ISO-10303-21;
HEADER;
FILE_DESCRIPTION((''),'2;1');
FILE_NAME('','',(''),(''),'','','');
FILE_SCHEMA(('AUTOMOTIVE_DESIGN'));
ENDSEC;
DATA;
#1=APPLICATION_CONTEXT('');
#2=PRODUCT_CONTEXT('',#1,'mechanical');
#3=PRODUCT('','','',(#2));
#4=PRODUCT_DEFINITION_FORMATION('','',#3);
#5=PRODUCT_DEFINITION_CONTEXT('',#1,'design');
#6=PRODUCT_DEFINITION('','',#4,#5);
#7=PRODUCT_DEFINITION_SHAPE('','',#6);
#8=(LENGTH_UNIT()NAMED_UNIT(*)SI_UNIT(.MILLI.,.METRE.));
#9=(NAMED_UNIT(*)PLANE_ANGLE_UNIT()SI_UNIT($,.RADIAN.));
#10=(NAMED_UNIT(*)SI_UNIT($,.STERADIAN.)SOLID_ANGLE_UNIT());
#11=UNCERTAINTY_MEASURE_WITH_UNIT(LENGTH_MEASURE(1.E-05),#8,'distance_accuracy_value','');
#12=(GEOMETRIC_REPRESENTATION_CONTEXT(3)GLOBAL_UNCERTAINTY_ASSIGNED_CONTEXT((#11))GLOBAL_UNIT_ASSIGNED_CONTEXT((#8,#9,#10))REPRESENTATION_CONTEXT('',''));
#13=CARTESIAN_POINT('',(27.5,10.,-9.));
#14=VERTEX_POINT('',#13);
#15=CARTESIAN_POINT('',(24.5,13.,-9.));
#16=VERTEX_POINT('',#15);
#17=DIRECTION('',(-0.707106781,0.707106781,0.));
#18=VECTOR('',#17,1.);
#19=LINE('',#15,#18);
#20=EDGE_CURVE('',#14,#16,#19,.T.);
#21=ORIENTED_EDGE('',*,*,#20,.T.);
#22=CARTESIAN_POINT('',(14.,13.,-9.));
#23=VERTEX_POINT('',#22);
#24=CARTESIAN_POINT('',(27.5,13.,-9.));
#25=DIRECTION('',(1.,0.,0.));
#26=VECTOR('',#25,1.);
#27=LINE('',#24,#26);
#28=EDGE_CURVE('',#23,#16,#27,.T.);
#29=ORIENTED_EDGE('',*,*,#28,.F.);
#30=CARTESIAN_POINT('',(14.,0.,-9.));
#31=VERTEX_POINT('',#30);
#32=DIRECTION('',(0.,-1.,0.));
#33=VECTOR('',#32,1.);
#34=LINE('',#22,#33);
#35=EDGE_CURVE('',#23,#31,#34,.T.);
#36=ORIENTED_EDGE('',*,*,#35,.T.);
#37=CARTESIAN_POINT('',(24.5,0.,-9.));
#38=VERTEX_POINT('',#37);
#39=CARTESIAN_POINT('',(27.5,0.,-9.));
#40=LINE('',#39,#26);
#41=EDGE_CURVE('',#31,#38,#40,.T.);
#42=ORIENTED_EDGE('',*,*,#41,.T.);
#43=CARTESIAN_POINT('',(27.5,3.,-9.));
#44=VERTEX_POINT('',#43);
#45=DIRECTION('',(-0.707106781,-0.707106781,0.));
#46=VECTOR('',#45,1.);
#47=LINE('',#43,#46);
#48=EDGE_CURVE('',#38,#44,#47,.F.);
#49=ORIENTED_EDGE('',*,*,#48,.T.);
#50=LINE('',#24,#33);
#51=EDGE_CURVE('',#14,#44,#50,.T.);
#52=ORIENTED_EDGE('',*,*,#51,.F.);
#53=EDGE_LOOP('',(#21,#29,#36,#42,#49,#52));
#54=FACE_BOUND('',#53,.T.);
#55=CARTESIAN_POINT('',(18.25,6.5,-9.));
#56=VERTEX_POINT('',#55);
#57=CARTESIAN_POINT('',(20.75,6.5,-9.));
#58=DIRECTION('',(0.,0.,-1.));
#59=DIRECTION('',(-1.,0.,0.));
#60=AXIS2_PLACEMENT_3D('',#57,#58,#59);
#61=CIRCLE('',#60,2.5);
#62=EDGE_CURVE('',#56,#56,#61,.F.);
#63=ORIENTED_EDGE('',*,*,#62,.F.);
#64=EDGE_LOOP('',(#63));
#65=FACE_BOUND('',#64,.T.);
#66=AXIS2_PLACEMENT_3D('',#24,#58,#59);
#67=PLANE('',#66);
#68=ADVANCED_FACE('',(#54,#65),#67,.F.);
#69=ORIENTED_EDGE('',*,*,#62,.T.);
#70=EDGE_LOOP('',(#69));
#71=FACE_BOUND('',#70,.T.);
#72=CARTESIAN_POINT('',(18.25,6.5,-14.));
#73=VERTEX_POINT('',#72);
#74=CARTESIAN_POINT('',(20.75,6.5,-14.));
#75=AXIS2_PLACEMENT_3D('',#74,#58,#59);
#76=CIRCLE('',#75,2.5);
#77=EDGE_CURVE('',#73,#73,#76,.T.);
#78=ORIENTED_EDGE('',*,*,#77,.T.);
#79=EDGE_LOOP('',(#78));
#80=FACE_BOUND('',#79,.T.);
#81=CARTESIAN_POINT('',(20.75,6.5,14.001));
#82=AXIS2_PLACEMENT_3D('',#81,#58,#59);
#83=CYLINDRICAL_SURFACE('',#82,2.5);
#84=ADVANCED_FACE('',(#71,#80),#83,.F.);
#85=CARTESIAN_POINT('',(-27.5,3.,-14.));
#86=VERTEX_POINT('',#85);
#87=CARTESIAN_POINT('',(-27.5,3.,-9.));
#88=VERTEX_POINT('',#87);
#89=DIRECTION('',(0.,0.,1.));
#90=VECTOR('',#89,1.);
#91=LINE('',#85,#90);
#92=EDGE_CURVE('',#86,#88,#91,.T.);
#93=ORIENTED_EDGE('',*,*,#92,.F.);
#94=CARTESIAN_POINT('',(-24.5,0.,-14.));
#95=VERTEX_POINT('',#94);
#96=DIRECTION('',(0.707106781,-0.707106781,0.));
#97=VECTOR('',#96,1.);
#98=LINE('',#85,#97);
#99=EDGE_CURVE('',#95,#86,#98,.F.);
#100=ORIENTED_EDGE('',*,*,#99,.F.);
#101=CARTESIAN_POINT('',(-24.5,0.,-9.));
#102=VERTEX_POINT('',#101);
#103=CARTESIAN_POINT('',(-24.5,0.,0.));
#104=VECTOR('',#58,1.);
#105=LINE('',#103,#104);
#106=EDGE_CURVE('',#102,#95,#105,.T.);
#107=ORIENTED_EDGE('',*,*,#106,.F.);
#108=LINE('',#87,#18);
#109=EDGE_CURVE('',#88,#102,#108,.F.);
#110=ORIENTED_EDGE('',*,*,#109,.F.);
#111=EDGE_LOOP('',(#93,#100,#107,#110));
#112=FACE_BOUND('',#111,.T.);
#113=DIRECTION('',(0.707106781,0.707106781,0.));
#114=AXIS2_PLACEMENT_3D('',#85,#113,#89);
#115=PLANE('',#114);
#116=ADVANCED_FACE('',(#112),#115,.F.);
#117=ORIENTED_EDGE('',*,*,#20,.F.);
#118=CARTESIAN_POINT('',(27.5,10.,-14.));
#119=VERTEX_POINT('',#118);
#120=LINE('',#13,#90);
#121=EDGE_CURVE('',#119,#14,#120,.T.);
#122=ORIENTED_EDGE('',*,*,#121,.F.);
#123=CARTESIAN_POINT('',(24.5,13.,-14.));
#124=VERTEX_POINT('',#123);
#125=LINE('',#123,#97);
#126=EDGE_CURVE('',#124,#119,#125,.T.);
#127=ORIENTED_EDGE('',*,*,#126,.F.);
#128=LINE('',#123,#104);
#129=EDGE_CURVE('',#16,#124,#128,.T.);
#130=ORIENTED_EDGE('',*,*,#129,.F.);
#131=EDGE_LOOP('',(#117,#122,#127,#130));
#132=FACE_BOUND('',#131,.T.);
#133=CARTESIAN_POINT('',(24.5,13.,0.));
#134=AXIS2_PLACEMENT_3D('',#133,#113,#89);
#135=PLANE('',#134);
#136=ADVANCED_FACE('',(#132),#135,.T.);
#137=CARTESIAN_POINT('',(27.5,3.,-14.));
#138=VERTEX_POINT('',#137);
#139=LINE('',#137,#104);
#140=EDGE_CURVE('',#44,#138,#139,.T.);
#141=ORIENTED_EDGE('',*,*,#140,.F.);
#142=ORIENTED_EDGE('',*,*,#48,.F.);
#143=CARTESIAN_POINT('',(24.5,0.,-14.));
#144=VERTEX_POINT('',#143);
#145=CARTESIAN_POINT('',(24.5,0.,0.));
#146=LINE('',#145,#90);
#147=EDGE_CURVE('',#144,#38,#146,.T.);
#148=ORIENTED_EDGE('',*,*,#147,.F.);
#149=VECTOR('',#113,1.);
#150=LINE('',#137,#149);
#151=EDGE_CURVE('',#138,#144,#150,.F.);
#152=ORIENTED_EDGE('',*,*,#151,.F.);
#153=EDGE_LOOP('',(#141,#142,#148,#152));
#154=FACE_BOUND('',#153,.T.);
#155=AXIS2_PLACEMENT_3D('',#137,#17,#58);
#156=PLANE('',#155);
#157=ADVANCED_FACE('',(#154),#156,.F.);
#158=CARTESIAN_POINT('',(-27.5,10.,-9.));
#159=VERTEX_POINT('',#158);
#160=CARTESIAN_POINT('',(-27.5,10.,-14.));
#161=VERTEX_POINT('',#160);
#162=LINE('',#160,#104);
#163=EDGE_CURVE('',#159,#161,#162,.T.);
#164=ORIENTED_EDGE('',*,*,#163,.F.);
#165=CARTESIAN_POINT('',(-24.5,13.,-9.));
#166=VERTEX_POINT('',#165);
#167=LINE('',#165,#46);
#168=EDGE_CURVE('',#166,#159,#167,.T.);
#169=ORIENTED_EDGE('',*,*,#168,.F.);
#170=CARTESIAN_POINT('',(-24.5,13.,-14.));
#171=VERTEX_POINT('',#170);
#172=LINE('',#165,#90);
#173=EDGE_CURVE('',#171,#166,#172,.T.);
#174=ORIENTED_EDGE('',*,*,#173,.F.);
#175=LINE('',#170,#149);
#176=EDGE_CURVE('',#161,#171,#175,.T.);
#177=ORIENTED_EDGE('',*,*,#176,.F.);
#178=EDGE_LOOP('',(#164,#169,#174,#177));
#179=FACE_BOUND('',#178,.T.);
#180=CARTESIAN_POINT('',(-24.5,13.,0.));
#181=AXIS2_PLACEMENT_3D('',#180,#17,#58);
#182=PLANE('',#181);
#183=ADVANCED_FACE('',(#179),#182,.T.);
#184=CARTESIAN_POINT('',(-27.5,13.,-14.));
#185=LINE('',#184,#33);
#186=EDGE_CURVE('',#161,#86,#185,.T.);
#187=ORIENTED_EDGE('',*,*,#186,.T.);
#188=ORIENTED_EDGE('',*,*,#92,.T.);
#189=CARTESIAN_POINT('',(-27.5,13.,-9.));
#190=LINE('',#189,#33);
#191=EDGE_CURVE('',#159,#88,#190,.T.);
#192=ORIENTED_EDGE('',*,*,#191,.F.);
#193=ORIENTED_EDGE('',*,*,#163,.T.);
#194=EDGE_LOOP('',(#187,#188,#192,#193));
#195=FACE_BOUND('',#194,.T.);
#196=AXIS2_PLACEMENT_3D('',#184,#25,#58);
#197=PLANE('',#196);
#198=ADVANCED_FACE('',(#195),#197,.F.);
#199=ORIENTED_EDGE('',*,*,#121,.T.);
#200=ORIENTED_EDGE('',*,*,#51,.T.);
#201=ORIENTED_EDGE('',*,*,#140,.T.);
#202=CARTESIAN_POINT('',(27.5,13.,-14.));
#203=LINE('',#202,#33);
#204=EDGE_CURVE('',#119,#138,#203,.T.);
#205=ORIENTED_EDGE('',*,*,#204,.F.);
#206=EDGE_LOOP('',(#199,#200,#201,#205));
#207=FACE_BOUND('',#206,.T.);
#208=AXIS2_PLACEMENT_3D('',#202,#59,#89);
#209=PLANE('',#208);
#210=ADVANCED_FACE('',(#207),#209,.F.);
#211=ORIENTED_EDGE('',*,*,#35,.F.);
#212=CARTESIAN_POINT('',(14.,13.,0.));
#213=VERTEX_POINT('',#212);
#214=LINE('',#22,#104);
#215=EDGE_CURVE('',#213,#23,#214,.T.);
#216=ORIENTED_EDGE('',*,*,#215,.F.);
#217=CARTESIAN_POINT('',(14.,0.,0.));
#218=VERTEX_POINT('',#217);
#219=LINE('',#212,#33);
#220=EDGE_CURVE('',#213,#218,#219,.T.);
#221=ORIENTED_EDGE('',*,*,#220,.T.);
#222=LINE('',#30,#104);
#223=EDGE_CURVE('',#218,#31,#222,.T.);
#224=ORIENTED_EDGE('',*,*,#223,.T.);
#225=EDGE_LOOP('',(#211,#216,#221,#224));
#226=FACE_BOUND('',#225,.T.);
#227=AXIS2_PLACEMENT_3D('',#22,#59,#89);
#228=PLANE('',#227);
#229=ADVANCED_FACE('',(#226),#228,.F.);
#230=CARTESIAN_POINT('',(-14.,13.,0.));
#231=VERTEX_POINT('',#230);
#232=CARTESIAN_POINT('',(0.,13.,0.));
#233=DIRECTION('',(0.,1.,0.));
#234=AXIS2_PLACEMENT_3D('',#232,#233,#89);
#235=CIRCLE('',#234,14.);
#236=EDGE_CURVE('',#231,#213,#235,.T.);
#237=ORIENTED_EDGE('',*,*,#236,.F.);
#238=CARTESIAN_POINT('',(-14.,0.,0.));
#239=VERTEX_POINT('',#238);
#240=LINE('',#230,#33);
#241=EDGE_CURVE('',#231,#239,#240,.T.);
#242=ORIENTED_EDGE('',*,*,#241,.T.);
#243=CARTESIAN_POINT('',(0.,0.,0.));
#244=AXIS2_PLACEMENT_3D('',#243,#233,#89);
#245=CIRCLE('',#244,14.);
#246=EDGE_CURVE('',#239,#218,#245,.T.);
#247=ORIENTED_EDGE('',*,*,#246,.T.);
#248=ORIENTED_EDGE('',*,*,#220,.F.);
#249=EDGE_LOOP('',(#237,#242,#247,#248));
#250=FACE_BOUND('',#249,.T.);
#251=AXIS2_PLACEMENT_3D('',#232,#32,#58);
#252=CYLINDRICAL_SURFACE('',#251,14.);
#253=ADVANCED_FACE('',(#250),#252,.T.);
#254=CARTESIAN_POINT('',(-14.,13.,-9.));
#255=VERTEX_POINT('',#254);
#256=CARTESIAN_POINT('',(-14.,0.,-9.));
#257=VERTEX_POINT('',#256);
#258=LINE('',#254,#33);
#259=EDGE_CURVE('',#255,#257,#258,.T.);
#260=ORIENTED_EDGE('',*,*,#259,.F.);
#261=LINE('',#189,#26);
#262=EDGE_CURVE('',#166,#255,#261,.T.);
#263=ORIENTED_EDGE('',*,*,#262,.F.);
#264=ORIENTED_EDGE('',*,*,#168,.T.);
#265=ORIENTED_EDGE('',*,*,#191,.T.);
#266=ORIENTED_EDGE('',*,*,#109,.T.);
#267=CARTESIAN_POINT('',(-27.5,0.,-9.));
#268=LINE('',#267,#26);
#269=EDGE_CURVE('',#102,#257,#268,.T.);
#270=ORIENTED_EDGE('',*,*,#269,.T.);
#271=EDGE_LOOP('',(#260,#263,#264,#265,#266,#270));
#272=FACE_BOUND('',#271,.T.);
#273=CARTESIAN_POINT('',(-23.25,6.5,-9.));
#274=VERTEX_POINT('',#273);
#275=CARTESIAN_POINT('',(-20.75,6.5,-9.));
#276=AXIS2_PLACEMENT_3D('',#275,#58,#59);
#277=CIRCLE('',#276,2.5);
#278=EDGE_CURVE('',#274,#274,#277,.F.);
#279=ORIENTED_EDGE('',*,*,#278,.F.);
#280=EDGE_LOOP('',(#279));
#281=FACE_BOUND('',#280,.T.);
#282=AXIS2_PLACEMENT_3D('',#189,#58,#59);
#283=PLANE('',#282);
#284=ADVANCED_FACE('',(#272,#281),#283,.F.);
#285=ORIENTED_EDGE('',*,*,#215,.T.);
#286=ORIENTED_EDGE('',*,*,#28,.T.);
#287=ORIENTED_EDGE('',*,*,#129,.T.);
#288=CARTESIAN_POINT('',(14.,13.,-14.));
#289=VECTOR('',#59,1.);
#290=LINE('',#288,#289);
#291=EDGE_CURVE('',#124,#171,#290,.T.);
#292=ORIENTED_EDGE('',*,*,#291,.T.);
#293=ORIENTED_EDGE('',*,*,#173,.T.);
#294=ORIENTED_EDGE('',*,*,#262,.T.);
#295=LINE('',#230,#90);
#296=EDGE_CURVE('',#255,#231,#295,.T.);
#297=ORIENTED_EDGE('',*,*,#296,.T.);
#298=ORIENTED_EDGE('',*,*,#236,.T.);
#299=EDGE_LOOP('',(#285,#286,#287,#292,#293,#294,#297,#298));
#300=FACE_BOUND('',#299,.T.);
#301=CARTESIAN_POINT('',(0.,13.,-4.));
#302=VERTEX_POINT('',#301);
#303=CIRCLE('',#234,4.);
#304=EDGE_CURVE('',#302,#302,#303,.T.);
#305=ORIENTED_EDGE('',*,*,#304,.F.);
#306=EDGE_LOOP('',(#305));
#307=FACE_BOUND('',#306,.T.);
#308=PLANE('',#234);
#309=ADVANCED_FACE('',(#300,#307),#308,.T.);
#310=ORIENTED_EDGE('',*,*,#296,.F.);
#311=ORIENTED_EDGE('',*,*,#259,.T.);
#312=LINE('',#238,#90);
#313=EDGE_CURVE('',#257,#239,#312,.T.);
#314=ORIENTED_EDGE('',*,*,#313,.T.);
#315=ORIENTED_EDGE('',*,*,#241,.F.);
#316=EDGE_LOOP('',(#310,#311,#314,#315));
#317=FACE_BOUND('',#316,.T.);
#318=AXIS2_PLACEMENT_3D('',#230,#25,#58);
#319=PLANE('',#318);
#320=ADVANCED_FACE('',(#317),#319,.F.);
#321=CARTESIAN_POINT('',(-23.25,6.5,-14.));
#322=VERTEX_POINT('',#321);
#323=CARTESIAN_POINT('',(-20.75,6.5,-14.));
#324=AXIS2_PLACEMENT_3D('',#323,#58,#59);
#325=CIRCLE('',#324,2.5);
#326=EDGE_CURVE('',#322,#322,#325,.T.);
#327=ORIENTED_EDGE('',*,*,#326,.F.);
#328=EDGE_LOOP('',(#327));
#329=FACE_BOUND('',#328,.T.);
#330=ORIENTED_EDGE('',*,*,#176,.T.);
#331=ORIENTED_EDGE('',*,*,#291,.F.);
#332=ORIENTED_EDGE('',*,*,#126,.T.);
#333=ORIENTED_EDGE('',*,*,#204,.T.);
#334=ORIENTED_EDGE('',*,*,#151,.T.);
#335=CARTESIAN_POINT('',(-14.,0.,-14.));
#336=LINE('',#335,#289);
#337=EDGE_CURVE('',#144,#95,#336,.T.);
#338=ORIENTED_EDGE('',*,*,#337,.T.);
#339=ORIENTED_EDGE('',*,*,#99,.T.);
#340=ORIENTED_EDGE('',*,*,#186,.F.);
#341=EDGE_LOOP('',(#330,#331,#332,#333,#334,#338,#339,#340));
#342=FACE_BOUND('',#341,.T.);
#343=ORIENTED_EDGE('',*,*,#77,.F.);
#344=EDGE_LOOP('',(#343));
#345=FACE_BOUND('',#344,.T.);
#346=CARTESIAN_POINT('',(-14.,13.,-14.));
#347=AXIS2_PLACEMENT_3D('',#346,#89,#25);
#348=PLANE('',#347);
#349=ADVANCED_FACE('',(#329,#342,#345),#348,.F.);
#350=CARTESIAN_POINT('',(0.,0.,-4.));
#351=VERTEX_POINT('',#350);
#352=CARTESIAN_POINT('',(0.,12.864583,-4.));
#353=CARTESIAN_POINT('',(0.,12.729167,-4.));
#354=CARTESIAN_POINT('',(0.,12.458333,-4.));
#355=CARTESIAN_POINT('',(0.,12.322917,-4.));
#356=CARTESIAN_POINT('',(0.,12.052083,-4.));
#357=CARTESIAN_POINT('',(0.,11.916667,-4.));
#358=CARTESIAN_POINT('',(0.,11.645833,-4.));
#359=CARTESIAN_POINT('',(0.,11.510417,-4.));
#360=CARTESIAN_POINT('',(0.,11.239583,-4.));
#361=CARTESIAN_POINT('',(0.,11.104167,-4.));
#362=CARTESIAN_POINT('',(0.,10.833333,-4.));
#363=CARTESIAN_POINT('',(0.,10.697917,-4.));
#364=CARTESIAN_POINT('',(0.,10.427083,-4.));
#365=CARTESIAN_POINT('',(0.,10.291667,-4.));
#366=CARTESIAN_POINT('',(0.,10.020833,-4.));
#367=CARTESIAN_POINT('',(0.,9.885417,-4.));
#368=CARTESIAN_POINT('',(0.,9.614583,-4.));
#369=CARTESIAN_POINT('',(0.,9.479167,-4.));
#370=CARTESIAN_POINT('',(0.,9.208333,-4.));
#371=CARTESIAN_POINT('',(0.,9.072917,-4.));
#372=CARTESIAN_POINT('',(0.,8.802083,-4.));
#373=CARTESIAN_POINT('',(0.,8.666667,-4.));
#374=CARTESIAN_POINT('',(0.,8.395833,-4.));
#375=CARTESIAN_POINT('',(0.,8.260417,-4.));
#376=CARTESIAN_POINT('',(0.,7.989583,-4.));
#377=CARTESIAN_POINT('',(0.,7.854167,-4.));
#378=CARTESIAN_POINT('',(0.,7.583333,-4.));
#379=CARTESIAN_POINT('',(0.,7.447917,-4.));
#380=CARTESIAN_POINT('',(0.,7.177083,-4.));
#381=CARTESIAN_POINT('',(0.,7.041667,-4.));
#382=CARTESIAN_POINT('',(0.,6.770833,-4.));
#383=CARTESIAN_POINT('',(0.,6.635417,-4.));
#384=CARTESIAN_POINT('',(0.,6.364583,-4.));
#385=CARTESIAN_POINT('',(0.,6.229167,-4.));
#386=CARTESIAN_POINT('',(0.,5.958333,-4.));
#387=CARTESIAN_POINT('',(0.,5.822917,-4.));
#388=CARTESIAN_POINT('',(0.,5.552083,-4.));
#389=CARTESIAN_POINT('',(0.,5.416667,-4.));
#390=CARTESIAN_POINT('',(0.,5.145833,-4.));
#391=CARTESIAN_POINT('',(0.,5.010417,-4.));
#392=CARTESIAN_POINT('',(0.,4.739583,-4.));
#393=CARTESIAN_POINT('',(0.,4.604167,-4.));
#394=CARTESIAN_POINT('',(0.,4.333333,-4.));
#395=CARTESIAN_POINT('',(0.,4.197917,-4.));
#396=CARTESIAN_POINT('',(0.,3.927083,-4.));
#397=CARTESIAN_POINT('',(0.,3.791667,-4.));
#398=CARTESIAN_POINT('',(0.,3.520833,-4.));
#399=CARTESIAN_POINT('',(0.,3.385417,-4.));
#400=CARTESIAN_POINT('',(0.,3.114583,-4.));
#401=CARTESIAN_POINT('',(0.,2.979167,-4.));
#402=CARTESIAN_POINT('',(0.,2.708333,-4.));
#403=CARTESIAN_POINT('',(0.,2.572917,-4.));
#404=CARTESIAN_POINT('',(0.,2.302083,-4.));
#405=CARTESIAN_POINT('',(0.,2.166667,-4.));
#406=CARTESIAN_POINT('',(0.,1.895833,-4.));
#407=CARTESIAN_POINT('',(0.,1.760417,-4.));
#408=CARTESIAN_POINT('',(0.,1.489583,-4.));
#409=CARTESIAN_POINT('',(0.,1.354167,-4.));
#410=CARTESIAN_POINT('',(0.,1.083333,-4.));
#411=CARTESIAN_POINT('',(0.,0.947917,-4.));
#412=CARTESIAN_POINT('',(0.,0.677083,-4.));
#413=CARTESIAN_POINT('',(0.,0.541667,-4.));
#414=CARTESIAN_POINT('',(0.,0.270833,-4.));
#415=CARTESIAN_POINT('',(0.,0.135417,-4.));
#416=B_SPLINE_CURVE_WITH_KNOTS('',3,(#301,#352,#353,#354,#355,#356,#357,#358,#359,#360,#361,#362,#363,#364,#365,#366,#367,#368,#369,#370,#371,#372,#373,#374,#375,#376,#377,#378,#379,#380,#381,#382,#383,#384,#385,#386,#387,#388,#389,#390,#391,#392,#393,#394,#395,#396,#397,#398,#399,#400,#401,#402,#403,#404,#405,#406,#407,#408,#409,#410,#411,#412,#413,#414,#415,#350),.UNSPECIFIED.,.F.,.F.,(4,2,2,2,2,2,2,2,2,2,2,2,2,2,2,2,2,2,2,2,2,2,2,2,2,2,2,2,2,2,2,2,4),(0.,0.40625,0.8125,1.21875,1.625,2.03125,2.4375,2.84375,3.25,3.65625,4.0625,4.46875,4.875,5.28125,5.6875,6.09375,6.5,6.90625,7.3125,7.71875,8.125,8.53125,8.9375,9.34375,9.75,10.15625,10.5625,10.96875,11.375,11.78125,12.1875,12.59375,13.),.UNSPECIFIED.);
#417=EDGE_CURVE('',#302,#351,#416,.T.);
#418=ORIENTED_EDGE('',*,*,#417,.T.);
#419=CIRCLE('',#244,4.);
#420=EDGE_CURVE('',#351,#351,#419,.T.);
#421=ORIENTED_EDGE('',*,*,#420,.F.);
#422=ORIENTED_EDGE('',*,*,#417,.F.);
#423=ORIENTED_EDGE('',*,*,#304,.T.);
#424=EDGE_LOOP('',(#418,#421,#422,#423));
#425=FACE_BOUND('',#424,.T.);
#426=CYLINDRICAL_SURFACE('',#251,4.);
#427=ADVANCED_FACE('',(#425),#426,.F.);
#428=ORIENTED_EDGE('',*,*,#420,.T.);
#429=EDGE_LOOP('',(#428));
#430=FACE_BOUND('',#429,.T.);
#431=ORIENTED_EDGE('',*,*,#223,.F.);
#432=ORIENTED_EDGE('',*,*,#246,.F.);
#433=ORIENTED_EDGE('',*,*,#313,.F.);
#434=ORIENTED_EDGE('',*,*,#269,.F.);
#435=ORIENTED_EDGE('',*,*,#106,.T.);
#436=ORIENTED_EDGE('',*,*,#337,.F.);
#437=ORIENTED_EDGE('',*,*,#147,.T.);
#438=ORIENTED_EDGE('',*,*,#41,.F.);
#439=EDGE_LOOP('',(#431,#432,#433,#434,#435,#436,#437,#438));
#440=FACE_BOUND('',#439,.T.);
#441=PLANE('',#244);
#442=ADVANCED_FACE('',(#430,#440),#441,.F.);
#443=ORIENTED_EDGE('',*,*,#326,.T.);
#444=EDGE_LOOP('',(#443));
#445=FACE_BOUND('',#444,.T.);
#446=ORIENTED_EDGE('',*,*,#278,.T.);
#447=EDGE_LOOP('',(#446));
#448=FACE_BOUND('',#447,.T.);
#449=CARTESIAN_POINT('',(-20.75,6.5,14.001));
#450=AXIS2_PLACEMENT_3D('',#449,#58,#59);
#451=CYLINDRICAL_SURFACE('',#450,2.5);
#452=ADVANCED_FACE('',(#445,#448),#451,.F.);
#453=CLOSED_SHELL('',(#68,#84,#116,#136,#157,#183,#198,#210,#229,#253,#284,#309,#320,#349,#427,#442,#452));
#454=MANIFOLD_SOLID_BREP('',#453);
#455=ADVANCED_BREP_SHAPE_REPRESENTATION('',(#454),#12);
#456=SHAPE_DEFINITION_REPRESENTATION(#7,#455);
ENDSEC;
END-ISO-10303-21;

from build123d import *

# Parameters (mm, degrees)
SKETCH_1_R          = 4
EXTRUDE_1_DEPTH     = 13
CUT_EXTRUDE_1_REACH = 43.343
SKETCH_2_R          = 2.5
CHAMFER_1_SIZE      = 3


with BuildPart() as part:
    # 草图1 → 凸台-拉伸1 (new body)
    with BuildSketch(Plane(origin=(0, 0, 0), x_dir=(1, 0, 0), z_dir=(0, 1, 0))):
        with BuildLine():
            Line((-14, 0), (-14, 9))
            Line((-14, 9), (-27.5, 9))
            Line((-27.5, 9), (-27.5, 14))
            Line((-27.5, 14), (-14, 14))
            Line((-14, 14), (14, 14))
            Line((14, 14), (27.5, 14))
            Line((27.5, 14), (27.5, 9))
            Line((27.5, 9), (14, 9))
            Line((14, 9), (14, 0))
            ThreePointArc((14, 0), (9.899494937, -9.899494937), (0, -14))
            ThreePointArc((0, -14), (-9.899494937, -9.899494937), (-14, 0))
        make_face()
        with Locations(Location((0, 0, 0), (0, 0, 90))):
            Circle(SKETCH_1_R, mode=Mode.SUBTRACT)
    extrude(amount=EXTRUDE_1_DEPTH)

    # 草图2 → 切除-拉伸1 (cut, up to next)
    with BuildSketch(Plane(origin=(0, 0, -14), x_dir=(-1, 0, 0), z_dir=(0, 0, -1)), mode=Mode.PRIVATE) as cut_extrude_1_sk1:
        with Locations((-20.75, 6.5)):
            Circle(SKETCH_2_R)
    cut_extrude_1_tool1 = extrude(cut_extrude_1_sk1.sketch, amount=-CUT_EXTRUDE_1_REACH, mode=Mode.PRIVATE) & part.part
    # 草图2 → 切除-拉伸1 (cut, up to next)
    with BuildSketch(Plane(origin=(0, 0, -14), x_dir=(-1, 0, 0), z_dir=(0, 0, -1)), mode=Mode.PRIVATE) as cut_extrude_1_sk2:
        with Locations((20.75, 6.5)):
            Circle(SKETCH_2_R)
    cut_extrude_1_tool2 = extrude(cut_extrude_1_sk2.sketch, amount=-CUT_EXTRUDE_1_REACH, mode=Mode.PRIVATE) & part.part
    add(cut_extrude_1_tool1.solids().sort_by_distance((20.75, 6.5, -14))[0], mode=Mode.SUBTRACT)
    add(cut_extrude_1_tool2.solids().sort_by_distance((-20.75, 6.5, -14))[0], mode=Mode.SUBTRACT)

    # 倒角1
    chamfer_1_edges = [part.edges().sort_by_distance(p)[0] for p in [
        (-27.5, 0, -11.5),
        (27.5, 0, -11.5),
        (27.5, 13, -11.5),
        (-27.5, 13, -11.5),
    ]]
    chamfer(chamfer_1_edges, length=CHAMFER_1_SIZE)


solid = part.part
